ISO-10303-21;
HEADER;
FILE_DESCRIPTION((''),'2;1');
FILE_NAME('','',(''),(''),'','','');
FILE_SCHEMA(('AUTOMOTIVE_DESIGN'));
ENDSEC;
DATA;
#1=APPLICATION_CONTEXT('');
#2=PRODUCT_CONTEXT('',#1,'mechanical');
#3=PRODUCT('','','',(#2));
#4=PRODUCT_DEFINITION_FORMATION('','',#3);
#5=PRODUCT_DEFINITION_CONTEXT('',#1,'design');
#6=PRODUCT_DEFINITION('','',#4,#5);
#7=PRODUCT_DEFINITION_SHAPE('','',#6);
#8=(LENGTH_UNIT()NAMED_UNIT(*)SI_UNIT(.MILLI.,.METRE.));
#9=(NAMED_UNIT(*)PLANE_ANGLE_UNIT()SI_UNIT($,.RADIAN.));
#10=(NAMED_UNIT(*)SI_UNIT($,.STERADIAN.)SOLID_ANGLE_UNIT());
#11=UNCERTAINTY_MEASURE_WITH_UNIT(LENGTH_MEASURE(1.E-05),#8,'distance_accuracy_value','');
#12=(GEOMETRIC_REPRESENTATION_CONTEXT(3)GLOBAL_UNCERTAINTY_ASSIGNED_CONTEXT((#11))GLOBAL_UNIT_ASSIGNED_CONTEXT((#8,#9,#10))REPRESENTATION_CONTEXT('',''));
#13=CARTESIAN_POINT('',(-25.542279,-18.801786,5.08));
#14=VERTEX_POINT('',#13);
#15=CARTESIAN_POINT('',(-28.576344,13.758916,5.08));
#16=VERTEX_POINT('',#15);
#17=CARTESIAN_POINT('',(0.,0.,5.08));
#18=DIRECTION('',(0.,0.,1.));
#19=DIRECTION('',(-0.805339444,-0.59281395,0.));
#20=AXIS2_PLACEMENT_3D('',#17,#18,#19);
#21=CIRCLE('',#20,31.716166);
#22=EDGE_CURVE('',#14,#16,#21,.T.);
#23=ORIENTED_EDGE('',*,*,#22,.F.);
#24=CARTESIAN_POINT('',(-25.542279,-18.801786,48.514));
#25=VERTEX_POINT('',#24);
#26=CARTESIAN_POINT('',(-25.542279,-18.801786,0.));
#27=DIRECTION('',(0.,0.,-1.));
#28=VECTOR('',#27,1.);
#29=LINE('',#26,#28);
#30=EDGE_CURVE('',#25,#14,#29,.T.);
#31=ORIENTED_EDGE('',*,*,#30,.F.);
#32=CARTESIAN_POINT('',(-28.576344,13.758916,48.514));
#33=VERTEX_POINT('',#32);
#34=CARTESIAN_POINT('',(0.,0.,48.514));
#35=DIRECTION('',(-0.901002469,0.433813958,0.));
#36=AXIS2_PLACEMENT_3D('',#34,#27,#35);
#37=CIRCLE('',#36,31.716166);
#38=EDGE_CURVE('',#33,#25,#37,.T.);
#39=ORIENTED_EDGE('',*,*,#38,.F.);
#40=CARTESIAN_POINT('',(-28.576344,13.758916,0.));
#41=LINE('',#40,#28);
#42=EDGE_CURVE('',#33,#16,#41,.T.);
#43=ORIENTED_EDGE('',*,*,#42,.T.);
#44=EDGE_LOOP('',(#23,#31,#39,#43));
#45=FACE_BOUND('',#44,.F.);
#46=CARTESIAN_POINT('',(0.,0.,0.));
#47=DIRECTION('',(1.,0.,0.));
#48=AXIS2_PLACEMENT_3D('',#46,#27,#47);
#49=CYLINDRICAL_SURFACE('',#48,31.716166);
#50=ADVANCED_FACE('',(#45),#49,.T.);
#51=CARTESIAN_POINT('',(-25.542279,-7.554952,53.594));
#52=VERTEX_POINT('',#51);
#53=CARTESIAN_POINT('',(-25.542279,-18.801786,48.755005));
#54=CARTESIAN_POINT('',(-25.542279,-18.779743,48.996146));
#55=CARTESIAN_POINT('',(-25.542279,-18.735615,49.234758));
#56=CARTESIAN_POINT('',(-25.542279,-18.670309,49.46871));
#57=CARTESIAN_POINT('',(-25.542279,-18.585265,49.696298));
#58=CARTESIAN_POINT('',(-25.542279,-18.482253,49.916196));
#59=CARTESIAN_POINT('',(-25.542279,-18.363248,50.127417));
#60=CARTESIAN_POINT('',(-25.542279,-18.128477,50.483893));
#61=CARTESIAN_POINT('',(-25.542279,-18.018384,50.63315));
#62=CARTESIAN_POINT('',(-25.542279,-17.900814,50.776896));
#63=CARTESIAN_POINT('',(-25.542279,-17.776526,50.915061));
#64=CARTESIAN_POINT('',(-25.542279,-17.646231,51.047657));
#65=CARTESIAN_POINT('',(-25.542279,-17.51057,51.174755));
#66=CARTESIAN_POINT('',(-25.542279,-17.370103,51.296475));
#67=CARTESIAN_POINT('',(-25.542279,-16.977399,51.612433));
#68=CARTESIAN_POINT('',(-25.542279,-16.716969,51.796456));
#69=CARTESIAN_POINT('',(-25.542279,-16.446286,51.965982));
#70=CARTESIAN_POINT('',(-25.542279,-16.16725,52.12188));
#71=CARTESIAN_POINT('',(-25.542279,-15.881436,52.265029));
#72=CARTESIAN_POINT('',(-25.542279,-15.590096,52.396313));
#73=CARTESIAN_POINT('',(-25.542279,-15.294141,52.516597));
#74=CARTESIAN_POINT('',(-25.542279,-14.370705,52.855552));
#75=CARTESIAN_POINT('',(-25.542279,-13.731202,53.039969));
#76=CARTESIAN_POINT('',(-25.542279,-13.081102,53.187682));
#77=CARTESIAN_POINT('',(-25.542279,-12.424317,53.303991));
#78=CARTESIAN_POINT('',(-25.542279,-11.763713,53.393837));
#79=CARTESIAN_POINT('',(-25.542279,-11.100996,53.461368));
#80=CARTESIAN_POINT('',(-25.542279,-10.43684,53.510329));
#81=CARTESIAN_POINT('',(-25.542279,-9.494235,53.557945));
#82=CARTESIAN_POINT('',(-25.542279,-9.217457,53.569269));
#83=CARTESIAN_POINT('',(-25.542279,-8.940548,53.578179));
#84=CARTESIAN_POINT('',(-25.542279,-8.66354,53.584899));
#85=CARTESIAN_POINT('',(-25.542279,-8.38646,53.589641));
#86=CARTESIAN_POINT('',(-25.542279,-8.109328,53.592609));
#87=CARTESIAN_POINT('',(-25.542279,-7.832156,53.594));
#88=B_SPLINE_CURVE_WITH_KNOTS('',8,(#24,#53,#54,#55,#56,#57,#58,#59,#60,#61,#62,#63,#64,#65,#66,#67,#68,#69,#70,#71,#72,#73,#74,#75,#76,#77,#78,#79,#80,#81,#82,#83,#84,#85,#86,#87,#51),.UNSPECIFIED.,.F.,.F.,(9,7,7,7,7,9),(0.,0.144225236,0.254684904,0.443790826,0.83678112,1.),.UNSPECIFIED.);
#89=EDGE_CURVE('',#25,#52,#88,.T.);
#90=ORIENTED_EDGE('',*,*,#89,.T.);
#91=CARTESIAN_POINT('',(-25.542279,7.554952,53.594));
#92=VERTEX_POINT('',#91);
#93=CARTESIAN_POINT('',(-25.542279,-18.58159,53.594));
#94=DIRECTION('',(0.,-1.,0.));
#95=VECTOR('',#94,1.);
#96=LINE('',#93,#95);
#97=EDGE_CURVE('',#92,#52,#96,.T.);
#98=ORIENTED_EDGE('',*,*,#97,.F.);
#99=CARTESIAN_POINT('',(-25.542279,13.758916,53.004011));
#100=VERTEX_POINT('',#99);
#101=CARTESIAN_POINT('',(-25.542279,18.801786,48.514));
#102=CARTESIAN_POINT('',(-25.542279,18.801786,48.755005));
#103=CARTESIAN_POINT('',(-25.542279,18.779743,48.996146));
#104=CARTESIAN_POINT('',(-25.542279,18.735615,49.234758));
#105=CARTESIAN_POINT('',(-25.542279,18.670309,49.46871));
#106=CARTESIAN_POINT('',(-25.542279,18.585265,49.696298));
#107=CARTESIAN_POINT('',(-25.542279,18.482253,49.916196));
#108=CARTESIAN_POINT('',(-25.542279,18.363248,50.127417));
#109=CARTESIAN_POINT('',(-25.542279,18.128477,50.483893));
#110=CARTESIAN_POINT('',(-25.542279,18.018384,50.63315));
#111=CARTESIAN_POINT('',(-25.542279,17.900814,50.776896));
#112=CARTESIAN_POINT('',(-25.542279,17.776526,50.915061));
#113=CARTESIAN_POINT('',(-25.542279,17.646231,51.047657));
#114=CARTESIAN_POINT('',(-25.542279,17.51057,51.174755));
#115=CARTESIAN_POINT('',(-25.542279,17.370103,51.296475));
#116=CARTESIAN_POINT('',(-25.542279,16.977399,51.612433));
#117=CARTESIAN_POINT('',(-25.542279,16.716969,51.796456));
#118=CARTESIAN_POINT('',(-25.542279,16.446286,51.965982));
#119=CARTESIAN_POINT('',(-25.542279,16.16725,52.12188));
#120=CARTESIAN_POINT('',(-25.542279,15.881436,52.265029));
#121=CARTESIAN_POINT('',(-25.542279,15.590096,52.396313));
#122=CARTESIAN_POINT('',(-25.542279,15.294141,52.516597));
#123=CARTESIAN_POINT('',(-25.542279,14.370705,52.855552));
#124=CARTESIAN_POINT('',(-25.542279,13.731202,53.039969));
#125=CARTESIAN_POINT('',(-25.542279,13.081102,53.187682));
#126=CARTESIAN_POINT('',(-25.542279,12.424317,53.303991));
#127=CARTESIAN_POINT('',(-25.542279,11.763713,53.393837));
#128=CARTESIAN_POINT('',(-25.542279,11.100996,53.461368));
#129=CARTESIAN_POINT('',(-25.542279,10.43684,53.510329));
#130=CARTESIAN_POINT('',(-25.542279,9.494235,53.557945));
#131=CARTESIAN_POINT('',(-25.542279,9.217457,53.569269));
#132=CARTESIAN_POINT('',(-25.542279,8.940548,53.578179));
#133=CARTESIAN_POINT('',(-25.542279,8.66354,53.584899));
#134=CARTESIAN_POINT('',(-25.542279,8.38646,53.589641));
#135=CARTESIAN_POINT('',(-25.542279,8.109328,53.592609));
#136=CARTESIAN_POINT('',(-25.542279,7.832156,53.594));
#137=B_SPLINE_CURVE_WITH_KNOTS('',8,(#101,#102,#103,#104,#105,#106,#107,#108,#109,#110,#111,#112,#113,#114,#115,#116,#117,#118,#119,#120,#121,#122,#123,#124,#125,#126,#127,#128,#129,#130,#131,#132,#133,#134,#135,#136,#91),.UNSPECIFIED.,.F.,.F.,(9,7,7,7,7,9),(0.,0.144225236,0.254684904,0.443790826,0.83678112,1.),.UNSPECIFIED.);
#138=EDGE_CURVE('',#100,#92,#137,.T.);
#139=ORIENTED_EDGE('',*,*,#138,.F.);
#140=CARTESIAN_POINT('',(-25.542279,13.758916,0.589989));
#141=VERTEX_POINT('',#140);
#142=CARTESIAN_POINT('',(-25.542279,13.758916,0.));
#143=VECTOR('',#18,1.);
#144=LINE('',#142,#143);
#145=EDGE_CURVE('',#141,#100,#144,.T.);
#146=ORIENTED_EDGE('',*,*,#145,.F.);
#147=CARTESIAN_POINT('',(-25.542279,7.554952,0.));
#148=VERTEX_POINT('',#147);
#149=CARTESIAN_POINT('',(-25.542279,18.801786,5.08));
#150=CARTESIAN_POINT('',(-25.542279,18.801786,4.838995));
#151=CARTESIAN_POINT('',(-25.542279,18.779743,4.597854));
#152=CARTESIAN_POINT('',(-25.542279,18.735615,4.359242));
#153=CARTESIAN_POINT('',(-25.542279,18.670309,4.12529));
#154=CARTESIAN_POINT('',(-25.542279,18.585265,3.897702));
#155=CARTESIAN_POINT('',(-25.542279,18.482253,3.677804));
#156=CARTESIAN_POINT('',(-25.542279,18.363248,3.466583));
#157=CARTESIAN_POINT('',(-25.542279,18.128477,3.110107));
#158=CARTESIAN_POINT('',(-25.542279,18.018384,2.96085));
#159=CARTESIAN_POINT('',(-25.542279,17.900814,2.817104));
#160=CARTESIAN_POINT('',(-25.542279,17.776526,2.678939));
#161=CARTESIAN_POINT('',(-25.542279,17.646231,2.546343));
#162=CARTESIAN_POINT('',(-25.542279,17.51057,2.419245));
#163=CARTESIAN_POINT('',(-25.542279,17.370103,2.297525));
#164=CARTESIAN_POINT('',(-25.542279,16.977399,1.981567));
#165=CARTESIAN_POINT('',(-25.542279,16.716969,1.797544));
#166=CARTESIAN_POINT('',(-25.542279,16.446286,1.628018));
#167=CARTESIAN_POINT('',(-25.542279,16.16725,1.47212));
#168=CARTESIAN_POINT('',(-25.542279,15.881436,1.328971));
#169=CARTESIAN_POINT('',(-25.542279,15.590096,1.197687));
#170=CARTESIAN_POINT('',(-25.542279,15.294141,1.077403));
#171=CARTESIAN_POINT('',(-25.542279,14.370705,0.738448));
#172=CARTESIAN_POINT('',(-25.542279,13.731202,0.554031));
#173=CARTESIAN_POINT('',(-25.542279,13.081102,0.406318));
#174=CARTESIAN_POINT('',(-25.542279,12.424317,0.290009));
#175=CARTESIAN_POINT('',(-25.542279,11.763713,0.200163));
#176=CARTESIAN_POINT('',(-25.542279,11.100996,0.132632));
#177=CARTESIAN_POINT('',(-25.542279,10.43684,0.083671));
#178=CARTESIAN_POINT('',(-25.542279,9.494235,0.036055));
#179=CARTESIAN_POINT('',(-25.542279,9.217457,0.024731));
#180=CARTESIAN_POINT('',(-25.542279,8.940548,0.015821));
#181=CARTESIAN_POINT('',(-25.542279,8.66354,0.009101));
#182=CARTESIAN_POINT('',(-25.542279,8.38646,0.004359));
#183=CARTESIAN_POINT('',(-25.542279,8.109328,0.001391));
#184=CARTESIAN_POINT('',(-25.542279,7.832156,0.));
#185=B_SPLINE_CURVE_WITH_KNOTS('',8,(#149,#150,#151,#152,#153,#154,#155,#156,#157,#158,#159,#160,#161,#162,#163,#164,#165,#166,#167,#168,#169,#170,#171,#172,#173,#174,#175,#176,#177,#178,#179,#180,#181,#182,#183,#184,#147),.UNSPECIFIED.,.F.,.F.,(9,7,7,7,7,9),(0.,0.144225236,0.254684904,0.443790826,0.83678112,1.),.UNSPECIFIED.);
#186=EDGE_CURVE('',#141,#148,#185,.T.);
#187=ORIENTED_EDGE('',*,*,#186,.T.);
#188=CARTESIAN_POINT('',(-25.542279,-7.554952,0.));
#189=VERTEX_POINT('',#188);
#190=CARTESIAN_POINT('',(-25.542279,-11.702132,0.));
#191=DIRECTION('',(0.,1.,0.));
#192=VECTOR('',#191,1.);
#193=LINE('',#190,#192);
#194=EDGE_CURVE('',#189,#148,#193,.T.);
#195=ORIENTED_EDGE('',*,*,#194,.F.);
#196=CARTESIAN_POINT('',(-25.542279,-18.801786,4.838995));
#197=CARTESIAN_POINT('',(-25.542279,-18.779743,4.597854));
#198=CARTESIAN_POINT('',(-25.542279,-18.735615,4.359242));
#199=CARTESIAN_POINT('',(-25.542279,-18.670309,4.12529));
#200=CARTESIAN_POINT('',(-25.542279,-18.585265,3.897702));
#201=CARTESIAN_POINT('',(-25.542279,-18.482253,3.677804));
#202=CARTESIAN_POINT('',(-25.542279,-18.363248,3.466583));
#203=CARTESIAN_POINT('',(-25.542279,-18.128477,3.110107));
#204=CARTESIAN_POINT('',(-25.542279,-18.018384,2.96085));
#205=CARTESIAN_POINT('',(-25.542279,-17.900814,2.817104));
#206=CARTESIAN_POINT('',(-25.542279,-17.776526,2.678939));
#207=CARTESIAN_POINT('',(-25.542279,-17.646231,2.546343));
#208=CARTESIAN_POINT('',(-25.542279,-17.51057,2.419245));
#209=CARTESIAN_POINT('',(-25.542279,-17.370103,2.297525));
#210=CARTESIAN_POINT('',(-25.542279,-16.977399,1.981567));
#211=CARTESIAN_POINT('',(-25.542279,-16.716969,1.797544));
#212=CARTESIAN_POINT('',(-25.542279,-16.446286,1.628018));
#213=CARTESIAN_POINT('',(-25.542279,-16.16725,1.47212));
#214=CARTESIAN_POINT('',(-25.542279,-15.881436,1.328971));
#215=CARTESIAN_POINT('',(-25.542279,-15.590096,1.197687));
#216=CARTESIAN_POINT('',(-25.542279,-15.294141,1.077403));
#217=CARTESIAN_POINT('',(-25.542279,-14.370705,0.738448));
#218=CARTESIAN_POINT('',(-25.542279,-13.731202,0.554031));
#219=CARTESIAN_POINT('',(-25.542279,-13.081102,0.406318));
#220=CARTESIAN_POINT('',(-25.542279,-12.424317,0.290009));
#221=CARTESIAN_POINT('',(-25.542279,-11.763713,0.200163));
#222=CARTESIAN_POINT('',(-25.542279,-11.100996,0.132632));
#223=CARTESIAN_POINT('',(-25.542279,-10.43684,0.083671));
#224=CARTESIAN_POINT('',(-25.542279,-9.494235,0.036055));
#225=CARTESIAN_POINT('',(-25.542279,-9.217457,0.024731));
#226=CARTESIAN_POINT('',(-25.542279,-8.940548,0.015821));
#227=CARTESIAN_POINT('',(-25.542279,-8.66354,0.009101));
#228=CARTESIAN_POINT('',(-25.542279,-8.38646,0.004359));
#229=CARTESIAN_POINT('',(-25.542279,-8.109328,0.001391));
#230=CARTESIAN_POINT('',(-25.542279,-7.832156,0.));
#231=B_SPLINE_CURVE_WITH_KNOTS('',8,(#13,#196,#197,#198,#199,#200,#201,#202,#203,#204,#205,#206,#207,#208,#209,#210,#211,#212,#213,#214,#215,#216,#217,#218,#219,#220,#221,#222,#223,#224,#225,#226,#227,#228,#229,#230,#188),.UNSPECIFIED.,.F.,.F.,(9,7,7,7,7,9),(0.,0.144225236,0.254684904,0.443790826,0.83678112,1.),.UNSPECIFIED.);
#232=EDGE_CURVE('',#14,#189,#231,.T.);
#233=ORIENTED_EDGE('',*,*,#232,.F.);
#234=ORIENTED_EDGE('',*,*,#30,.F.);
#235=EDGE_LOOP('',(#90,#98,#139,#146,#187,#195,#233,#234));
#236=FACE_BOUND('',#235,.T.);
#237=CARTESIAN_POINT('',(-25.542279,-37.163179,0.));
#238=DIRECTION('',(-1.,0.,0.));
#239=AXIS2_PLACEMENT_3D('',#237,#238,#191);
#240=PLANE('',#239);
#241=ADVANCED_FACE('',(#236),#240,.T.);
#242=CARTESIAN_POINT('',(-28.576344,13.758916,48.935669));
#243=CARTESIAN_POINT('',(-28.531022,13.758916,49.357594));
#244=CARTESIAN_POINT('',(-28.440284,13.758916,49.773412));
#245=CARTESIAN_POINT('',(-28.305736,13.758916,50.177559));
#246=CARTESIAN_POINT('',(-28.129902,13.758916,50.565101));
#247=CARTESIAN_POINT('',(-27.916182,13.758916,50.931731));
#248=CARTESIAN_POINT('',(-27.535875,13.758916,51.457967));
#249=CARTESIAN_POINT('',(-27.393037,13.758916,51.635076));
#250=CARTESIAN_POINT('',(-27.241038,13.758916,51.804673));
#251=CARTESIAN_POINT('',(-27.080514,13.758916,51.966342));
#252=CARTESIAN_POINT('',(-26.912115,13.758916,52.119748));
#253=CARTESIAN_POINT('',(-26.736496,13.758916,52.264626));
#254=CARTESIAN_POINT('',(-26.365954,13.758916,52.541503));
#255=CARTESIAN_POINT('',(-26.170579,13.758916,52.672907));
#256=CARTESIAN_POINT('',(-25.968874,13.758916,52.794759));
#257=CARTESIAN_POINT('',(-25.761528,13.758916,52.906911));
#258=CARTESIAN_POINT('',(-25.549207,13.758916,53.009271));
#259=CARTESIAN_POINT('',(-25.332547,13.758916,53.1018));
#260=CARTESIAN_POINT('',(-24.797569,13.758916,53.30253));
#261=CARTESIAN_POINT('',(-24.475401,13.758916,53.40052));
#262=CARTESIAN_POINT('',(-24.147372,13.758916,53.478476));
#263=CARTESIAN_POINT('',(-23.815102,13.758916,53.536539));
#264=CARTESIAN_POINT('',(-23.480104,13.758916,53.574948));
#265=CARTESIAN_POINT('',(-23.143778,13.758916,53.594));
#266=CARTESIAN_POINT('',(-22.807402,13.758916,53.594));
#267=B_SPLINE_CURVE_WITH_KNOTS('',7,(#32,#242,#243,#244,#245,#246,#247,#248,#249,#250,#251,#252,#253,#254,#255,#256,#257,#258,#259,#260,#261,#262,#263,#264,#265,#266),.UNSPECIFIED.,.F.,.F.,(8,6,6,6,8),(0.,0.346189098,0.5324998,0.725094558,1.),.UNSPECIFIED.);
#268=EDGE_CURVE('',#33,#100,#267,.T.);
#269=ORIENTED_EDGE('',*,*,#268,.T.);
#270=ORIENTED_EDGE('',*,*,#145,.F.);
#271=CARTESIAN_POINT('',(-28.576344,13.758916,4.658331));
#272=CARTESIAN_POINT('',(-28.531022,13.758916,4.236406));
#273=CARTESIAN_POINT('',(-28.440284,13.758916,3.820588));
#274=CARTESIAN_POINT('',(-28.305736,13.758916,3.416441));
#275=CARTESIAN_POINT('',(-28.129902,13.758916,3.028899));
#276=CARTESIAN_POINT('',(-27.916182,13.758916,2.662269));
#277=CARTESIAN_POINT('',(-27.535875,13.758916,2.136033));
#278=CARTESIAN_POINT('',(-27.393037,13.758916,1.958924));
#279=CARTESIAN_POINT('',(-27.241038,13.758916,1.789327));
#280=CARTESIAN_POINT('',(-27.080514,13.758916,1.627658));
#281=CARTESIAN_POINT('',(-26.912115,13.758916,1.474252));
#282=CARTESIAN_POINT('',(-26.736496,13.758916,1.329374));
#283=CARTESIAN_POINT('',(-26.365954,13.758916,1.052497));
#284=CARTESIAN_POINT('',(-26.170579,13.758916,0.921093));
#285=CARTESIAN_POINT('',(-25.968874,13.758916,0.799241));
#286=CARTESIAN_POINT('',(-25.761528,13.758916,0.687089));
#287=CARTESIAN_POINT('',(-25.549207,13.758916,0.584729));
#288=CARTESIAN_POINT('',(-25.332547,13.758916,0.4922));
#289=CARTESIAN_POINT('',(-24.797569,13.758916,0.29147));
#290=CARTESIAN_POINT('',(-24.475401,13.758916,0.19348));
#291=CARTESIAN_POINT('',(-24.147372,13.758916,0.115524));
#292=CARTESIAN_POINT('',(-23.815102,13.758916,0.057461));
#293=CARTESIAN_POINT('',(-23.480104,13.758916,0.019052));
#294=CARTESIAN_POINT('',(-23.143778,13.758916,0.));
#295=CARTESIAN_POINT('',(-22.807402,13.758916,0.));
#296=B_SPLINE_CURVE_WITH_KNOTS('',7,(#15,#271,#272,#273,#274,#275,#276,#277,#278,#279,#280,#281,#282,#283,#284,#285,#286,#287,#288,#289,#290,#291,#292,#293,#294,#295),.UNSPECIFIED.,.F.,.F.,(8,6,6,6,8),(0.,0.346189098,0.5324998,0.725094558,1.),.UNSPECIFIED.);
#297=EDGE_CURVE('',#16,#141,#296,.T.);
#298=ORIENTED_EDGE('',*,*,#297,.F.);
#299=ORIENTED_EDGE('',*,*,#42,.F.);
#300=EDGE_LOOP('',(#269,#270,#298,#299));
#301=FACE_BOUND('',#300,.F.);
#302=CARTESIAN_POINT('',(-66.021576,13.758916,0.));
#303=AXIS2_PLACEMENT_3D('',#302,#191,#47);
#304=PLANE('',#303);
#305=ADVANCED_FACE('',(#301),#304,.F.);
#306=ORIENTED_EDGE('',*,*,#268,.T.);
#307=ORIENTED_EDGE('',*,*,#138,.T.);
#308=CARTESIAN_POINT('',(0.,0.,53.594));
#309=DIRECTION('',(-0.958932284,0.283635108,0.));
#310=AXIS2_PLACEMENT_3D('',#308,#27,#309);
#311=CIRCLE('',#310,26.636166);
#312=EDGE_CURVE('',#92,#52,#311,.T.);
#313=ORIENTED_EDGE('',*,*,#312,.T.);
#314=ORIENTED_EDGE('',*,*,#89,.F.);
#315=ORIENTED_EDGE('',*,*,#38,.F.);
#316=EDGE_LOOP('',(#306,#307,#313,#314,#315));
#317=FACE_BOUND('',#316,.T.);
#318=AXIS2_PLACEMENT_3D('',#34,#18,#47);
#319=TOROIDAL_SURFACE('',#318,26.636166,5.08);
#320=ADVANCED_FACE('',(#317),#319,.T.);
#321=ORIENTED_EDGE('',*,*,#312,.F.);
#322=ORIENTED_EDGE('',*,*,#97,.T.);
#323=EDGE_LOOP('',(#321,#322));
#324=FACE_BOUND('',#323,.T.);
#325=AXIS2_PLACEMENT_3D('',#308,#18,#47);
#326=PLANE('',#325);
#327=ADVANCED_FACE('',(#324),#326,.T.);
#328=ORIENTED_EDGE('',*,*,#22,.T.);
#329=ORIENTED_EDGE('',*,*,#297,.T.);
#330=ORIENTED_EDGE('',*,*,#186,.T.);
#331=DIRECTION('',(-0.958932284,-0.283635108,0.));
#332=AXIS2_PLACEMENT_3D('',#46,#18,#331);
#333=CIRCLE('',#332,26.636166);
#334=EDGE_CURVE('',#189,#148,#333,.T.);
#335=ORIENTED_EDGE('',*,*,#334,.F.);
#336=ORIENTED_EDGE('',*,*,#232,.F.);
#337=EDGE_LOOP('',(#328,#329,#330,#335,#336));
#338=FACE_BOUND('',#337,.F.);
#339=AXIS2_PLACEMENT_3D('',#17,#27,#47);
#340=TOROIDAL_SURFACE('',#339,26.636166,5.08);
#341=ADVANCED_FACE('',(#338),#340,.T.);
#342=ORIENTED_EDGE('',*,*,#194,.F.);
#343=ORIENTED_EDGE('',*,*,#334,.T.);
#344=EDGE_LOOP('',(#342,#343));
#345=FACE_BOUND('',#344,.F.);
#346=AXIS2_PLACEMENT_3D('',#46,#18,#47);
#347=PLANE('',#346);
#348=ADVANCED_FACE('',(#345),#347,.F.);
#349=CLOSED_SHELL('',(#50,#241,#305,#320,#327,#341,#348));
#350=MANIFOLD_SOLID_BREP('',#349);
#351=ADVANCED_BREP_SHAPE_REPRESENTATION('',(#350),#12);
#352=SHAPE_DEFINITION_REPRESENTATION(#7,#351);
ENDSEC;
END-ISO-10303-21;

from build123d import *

# Parameters (mm, degrees)
F0_R     = 31.716166
F1_DEPTH = 53.594
F2_R     = 5.08
F3_W     = 40.479297
F3_H     = 50.922095
F4_DEPTH = 132.588


with BuildPart() as f1:
    # F0 (on Top) → F1 (new body)
    with BuildSketch(Plane.XY):
        Circle(F0_R)
    extrude(amount=F1_DEPTH)

    # F2
    f2_edges = [f1.edges().sort_by_distance(p)[0] for p in [
        (-31.716166, 0, 53.594),
        (-31.716166, 0, 0),
    ]]
    fillet(f2_edges, radius=F2_R)

    # F3 (on Top) → F4 (cut)
    with BuildSketch(Plane.XY):
        with Locations((-45.781928, -11.702132)):
            Rectangle(F3_W, F3_H)
    extrude(amount=F4_DEPTH, mode=Mode.SUBTRACT)


solid = f1.part
